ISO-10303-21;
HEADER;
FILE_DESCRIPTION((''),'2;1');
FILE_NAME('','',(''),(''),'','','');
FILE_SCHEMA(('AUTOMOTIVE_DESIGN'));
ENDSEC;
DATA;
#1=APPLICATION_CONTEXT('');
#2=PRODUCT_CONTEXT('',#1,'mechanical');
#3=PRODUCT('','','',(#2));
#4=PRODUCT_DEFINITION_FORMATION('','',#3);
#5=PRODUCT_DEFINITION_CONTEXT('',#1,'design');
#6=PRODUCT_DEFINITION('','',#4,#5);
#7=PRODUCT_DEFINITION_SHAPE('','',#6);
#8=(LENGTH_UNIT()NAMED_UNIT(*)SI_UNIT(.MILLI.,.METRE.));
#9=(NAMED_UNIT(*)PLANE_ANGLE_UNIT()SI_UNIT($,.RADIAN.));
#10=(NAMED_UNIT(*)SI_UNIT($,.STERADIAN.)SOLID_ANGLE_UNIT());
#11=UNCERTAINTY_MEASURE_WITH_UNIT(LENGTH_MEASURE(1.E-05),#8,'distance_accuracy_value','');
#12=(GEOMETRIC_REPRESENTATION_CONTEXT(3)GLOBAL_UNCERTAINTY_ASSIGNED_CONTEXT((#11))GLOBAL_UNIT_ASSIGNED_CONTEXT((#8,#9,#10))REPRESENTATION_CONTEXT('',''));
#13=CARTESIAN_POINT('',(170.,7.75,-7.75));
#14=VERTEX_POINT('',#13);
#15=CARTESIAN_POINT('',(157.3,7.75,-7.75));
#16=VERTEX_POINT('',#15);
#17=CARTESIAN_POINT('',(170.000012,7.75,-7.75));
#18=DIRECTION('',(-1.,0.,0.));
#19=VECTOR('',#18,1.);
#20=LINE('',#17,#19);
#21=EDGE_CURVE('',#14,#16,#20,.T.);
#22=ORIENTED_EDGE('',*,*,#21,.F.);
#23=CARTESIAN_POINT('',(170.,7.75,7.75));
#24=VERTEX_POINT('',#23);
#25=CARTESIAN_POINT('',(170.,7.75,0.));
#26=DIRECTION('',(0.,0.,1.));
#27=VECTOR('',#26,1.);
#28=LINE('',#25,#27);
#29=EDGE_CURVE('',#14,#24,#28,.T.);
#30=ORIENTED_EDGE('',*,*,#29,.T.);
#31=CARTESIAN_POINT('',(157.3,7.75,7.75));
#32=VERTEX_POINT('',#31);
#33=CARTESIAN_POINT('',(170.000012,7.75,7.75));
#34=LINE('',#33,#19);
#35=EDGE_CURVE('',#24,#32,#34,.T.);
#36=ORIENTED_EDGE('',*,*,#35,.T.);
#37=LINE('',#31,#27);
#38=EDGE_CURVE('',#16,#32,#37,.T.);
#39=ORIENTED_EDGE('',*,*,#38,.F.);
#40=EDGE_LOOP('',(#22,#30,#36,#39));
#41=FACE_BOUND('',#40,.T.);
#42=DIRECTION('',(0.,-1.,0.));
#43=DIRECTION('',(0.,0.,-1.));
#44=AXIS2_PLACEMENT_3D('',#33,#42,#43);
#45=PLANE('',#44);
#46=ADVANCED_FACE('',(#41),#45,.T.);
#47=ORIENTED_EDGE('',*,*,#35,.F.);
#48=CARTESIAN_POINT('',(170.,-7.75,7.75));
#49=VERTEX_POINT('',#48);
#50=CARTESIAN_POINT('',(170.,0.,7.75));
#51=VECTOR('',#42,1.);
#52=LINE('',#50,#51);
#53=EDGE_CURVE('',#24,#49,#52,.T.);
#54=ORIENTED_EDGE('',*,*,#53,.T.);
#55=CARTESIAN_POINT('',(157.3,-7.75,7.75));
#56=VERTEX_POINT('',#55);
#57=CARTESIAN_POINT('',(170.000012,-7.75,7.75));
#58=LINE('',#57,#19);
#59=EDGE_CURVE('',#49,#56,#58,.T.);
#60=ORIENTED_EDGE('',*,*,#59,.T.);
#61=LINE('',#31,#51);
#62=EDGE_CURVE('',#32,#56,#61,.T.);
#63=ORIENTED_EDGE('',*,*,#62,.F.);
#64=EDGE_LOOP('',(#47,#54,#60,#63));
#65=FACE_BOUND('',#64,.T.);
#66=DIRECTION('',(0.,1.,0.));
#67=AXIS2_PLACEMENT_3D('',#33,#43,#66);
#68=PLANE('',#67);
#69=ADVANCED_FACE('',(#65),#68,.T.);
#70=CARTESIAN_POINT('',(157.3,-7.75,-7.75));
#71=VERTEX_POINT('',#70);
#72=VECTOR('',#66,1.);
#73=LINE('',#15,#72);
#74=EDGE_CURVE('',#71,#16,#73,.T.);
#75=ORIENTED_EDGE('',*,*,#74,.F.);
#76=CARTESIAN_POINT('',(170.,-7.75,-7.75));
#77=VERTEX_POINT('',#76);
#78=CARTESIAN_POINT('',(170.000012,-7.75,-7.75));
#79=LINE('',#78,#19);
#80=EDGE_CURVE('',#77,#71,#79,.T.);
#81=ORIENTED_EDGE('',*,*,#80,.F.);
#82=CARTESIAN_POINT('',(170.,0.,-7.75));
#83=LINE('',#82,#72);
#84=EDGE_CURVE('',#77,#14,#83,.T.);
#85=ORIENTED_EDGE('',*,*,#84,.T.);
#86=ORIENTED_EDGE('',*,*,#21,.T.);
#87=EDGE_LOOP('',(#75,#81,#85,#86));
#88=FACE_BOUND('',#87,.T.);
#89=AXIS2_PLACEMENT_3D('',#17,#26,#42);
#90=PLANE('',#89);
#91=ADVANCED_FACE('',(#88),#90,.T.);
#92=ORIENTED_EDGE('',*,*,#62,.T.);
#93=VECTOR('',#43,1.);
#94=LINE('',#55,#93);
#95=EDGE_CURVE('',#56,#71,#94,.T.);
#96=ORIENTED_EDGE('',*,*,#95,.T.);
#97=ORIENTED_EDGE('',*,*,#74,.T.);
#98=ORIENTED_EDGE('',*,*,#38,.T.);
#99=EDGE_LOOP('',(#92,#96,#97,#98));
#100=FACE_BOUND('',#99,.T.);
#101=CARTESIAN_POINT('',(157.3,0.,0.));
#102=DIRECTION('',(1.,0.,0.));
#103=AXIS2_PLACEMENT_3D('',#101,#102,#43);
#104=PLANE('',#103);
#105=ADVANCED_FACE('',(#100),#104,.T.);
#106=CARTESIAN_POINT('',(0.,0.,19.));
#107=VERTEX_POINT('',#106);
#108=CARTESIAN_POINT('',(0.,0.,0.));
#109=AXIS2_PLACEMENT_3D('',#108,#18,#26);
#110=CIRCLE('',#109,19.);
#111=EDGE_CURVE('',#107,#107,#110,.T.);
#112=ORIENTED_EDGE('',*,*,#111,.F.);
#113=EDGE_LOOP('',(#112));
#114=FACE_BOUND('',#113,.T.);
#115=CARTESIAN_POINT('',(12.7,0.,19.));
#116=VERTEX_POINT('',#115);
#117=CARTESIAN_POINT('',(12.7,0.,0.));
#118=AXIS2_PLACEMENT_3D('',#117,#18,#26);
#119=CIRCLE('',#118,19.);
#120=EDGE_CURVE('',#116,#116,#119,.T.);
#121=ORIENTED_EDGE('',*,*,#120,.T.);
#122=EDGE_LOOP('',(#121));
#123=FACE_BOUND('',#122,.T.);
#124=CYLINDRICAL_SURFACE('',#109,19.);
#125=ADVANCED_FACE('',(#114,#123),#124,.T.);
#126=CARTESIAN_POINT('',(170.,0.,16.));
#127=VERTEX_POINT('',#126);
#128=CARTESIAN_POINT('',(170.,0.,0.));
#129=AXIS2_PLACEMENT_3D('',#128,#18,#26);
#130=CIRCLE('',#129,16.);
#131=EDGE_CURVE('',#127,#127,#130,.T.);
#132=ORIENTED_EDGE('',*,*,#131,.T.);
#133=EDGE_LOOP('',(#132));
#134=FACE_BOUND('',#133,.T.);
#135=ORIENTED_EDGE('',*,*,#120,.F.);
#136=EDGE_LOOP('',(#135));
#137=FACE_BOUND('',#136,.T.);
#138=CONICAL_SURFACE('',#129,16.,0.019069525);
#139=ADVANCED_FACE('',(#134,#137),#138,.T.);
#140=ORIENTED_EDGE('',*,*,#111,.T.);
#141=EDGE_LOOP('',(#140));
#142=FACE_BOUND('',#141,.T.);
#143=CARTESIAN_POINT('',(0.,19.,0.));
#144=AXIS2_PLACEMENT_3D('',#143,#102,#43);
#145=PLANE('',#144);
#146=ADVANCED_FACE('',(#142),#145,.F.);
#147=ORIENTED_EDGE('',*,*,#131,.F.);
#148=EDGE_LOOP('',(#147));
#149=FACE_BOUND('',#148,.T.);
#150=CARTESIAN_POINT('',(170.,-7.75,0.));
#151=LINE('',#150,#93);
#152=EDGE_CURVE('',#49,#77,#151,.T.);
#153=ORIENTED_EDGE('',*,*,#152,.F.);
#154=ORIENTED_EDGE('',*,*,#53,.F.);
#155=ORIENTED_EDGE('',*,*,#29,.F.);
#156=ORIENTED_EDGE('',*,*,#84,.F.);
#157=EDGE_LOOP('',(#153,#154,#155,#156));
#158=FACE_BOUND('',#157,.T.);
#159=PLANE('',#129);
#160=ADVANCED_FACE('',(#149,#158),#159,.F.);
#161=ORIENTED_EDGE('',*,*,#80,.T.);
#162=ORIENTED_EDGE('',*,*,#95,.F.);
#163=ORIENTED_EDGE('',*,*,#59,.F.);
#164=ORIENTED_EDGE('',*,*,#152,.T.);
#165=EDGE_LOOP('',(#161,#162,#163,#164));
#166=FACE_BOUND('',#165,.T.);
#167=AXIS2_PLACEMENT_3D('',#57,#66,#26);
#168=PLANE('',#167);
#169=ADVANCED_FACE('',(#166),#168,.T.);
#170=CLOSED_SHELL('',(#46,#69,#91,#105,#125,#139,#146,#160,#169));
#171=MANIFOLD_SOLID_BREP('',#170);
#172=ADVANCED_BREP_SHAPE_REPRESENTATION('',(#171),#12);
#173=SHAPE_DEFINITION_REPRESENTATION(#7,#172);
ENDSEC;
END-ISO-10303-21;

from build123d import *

# Parameters (mm, degrees)
CUT_EXTRUDE1_DEPTH      = 173.110429667
CUT_EXTRUDE1_DEPTH_BACK = 12.7
SKETCH2_W               = 15.5
SKETCH2_H               = 15.5


with BuildPart() as part:
    # Sketch1 → Revolve1 (revolve)
    with BuildSketch(Plane.XY, mode=Mode.PRIVATE) as revolve1_sk:
        Polygon((0, 0), (170, 0), (170, 16), (12.7, 19), (0, 19), align=None)
    revolve(revolve1_sk.sketch.rotate(Axis((0, 0, 0), (1, 0, 0)), 90), axis=Axis((0, 0, 0), (1, 0, 0)))

    # Sketch2 → Cut-Extrude1 (cut, two sides: drawn at the far end of the back side and taken through both)
    with BuildSketch(Plane(origin=(170, 0, 0), x_dir=(0, 0, -1), z_dir=(1, 0, 0)).offset(-CUT_EXTRUDE1_DEPTH_BACK)):
        Rectangle(SKETCH2_W, SKETCH2_H)
    extrude(amount=CUT_EXTRUDE1_DEPTH + CUT_EXTRUDE1_DEPTH_BACK, mode=Mode.SUBTRACT)


solid = part.part
